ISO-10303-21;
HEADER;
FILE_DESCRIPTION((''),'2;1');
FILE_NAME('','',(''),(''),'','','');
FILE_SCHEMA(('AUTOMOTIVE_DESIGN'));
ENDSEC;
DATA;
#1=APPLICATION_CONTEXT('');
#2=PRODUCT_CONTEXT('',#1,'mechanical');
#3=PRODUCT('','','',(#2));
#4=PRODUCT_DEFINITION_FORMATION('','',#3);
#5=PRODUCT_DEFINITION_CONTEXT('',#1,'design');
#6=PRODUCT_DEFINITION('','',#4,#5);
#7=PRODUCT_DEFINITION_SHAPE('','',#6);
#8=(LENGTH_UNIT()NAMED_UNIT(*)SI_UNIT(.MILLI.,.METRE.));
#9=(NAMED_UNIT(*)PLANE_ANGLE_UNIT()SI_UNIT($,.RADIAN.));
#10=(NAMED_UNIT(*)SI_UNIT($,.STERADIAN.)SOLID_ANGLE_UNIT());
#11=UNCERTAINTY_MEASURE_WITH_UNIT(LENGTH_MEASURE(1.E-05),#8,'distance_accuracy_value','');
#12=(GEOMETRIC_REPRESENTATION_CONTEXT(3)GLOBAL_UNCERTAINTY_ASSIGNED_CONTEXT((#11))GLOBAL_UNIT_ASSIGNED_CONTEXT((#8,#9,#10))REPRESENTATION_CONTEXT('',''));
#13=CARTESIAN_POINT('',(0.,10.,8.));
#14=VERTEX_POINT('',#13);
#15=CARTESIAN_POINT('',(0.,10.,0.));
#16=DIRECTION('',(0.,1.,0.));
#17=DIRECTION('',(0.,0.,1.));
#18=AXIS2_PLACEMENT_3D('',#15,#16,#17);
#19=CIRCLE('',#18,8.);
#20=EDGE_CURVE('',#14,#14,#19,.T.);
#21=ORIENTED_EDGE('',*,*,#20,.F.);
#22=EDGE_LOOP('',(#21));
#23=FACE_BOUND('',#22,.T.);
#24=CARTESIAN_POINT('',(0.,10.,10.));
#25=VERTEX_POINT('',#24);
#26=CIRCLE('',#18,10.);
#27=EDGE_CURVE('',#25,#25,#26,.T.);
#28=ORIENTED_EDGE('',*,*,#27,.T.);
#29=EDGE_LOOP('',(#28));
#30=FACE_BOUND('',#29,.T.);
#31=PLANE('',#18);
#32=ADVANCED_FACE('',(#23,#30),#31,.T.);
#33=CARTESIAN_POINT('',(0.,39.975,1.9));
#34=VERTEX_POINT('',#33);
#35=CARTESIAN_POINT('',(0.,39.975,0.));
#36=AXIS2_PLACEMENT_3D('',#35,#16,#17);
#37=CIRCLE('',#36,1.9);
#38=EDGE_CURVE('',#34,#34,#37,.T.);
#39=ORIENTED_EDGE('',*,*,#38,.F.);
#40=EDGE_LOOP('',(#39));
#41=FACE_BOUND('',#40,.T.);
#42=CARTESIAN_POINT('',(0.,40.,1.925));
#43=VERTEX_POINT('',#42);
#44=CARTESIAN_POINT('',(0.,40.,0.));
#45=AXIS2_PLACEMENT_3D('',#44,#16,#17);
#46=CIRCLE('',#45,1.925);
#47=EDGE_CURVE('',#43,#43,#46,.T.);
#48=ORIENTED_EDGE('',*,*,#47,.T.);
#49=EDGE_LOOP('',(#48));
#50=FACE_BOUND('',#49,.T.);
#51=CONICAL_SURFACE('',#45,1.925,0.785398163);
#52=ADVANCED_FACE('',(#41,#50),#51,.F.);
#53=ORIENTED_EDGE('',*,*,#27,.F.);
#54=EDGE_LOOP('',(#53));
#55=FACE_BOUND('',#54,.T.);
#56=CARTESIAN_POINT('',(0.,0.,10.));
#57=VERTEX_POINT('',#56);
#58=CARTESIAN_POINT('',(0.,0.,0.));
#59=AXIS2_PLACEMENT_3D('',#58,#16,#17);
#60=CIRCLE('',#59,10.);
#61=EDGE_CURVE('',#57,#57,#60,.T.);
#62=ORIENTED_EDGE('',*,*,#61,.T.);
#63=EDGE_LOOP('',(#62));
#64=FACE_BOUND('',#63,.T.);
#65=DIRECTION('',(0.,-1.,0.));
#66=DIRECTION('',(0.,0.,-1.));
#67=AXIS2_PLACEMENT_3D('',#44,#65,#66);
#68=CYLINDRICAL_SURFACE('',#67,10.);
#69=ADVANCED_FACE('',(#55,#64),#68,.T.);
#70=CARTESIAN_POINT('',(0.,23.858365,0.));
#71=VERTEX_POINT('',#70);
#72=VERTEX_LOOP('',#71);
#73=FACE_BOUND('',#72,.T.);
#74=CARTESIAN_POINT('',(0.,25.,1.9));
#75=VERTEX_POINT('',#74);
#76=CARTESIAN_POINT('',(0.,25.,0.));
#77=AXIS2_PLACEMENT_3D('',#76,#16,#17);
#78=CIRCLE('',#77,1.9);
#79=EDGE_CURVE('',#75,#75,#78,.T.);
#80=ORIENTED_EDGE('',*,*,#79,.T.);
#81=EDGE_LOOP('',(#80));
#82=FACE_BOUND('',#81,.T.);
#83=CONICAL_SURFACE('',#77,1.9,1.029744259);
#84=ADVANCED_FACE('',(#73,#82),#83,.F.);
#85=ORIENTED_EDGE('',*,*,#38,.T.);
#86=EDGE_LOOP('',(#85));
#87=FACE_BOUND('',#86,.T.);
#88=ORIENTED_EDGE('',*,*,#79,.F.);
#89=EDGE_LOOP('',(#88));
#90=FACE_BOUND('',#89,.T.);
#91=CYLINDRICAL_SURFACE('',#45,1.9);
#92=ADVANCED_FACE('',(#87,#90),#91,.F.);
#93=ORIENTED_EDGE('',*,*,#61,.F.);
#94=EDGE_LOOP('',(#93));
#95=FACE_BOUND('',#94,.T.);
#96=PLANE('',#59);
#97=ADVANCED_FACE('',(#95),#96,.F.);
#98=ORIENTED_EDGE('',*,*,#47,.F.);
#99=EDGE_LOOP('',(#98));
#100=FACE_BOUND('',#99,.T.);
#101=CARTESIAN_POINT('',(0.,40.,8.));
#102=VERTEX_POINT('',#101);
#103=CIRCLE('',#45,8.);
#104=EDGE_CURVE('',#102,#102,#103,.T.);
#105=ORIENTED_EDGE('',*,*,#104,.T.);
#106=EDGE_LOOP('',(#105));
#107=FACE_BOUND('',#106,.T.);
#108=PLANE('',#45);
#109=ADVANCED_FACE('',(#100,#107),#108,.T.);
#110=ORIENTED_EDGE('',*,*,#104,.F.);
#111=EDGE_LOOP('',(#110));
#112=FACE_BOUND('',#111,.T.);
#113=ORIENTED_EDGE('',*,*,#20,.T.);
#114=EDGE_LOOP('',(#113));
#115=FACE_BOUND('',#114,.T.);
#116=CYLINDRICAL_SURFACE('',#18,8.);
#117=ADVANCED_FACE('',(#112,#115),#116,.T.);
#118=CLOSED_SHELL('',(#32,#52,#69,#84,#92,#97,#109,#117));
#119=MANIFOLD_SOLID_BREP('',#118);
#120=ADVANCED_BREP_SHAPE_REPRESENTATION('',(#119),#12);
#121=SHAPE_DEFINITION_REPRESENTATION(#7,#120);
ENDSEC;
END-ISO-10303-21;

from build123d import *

# Parameters (mm, degrees)
SKETCH1_R                            = 10
BOSS_EXTRUDE1_DEPTH                  = 40
F_3_8_3_8_DIAMETER_HOLE1_D           = 3.8
F_3_8_3_8_DIAMETER_HOLE1_DEPTH       = 15
F_3_8_3_8_DIAMETER_HOLE1_CSINK_D     = 3.85
F_3_8_3_8_DIAMETER_HOLE1_CSINK_ANGLE = 90
F_3_8_3_8_DIAMETER_HOLE1_TIP         = 1.141635176
SKETCH5_R                            = 13.85296062
SKETCH5_R_2                          = 8
CUT_EXTRUDE1_DEPTH                   = 30


with BuildPart() as part:
    # Sketch1 → Boss-Extrude1 (new body)
    with BuildSketch(Plane(origin=(0, 0, 0), x_dir=(1, 0, 0), z_dir=(0, 1, 0))):
        with Locations(Location((0, 0, 0), (0, 0, 270))):
            Circle(SKETCH1_R)
    extrude(amount=BOSS_EXTRUDE1_DEPTH)

    # Ø3.8 (3.8) Diameter Hole1
    with Locations(Plane(origin=(0, 40, 0), x_dir=(1, 0, 0), z_dir=(0, 1, 0))):
        with Locations((0, 0)):
            CounterSinkHole(F_3_8_3_8_DIAMETER_HOLE1_D / 2, F_3_8_3_8_DIAMETER_HOLE1_CSINK_D / 2, depth=F_3_8_3_8_DIAMETER_HOLE1_DEPTH, counter_sink_angle=F_3_8_3_8_DIAMETER_HOLE1_CSINK_ANGLE)
            with Locations((0, 0, -(F_3_8_3_8_DIAMETER_HOLE1_DEPTH + F_3_8_3_8_DIAMETER_HOLE1_TIP / 2))):  # 118° drill point
                Cone(0, F_3_8_3_8_DIAMETER_HOLE1_D / 2, F_3_8_3_8_DIAMETER_HOLE1_TIP, mode=Mode.SUBTRACT)

    # Sketch5 → Cut-Extrude1 (cut)
    with BuildSketch(Plane(origin=(0, 40, 0), x_dir=(1, 0, 0), z_dir=(0, 1, 0))):
        Circle(SKETCH5_R)
        with Locations(Location((0, 0, 0), (0, 0, 270))):
            Circle(SKETCH5_R_2, mode=Mode.SUBTRACT)
    extrude(amount=-CUT_EXTRUDE1_DEPTH, mode=Mode.SUBTRACT)


solid = part.part
